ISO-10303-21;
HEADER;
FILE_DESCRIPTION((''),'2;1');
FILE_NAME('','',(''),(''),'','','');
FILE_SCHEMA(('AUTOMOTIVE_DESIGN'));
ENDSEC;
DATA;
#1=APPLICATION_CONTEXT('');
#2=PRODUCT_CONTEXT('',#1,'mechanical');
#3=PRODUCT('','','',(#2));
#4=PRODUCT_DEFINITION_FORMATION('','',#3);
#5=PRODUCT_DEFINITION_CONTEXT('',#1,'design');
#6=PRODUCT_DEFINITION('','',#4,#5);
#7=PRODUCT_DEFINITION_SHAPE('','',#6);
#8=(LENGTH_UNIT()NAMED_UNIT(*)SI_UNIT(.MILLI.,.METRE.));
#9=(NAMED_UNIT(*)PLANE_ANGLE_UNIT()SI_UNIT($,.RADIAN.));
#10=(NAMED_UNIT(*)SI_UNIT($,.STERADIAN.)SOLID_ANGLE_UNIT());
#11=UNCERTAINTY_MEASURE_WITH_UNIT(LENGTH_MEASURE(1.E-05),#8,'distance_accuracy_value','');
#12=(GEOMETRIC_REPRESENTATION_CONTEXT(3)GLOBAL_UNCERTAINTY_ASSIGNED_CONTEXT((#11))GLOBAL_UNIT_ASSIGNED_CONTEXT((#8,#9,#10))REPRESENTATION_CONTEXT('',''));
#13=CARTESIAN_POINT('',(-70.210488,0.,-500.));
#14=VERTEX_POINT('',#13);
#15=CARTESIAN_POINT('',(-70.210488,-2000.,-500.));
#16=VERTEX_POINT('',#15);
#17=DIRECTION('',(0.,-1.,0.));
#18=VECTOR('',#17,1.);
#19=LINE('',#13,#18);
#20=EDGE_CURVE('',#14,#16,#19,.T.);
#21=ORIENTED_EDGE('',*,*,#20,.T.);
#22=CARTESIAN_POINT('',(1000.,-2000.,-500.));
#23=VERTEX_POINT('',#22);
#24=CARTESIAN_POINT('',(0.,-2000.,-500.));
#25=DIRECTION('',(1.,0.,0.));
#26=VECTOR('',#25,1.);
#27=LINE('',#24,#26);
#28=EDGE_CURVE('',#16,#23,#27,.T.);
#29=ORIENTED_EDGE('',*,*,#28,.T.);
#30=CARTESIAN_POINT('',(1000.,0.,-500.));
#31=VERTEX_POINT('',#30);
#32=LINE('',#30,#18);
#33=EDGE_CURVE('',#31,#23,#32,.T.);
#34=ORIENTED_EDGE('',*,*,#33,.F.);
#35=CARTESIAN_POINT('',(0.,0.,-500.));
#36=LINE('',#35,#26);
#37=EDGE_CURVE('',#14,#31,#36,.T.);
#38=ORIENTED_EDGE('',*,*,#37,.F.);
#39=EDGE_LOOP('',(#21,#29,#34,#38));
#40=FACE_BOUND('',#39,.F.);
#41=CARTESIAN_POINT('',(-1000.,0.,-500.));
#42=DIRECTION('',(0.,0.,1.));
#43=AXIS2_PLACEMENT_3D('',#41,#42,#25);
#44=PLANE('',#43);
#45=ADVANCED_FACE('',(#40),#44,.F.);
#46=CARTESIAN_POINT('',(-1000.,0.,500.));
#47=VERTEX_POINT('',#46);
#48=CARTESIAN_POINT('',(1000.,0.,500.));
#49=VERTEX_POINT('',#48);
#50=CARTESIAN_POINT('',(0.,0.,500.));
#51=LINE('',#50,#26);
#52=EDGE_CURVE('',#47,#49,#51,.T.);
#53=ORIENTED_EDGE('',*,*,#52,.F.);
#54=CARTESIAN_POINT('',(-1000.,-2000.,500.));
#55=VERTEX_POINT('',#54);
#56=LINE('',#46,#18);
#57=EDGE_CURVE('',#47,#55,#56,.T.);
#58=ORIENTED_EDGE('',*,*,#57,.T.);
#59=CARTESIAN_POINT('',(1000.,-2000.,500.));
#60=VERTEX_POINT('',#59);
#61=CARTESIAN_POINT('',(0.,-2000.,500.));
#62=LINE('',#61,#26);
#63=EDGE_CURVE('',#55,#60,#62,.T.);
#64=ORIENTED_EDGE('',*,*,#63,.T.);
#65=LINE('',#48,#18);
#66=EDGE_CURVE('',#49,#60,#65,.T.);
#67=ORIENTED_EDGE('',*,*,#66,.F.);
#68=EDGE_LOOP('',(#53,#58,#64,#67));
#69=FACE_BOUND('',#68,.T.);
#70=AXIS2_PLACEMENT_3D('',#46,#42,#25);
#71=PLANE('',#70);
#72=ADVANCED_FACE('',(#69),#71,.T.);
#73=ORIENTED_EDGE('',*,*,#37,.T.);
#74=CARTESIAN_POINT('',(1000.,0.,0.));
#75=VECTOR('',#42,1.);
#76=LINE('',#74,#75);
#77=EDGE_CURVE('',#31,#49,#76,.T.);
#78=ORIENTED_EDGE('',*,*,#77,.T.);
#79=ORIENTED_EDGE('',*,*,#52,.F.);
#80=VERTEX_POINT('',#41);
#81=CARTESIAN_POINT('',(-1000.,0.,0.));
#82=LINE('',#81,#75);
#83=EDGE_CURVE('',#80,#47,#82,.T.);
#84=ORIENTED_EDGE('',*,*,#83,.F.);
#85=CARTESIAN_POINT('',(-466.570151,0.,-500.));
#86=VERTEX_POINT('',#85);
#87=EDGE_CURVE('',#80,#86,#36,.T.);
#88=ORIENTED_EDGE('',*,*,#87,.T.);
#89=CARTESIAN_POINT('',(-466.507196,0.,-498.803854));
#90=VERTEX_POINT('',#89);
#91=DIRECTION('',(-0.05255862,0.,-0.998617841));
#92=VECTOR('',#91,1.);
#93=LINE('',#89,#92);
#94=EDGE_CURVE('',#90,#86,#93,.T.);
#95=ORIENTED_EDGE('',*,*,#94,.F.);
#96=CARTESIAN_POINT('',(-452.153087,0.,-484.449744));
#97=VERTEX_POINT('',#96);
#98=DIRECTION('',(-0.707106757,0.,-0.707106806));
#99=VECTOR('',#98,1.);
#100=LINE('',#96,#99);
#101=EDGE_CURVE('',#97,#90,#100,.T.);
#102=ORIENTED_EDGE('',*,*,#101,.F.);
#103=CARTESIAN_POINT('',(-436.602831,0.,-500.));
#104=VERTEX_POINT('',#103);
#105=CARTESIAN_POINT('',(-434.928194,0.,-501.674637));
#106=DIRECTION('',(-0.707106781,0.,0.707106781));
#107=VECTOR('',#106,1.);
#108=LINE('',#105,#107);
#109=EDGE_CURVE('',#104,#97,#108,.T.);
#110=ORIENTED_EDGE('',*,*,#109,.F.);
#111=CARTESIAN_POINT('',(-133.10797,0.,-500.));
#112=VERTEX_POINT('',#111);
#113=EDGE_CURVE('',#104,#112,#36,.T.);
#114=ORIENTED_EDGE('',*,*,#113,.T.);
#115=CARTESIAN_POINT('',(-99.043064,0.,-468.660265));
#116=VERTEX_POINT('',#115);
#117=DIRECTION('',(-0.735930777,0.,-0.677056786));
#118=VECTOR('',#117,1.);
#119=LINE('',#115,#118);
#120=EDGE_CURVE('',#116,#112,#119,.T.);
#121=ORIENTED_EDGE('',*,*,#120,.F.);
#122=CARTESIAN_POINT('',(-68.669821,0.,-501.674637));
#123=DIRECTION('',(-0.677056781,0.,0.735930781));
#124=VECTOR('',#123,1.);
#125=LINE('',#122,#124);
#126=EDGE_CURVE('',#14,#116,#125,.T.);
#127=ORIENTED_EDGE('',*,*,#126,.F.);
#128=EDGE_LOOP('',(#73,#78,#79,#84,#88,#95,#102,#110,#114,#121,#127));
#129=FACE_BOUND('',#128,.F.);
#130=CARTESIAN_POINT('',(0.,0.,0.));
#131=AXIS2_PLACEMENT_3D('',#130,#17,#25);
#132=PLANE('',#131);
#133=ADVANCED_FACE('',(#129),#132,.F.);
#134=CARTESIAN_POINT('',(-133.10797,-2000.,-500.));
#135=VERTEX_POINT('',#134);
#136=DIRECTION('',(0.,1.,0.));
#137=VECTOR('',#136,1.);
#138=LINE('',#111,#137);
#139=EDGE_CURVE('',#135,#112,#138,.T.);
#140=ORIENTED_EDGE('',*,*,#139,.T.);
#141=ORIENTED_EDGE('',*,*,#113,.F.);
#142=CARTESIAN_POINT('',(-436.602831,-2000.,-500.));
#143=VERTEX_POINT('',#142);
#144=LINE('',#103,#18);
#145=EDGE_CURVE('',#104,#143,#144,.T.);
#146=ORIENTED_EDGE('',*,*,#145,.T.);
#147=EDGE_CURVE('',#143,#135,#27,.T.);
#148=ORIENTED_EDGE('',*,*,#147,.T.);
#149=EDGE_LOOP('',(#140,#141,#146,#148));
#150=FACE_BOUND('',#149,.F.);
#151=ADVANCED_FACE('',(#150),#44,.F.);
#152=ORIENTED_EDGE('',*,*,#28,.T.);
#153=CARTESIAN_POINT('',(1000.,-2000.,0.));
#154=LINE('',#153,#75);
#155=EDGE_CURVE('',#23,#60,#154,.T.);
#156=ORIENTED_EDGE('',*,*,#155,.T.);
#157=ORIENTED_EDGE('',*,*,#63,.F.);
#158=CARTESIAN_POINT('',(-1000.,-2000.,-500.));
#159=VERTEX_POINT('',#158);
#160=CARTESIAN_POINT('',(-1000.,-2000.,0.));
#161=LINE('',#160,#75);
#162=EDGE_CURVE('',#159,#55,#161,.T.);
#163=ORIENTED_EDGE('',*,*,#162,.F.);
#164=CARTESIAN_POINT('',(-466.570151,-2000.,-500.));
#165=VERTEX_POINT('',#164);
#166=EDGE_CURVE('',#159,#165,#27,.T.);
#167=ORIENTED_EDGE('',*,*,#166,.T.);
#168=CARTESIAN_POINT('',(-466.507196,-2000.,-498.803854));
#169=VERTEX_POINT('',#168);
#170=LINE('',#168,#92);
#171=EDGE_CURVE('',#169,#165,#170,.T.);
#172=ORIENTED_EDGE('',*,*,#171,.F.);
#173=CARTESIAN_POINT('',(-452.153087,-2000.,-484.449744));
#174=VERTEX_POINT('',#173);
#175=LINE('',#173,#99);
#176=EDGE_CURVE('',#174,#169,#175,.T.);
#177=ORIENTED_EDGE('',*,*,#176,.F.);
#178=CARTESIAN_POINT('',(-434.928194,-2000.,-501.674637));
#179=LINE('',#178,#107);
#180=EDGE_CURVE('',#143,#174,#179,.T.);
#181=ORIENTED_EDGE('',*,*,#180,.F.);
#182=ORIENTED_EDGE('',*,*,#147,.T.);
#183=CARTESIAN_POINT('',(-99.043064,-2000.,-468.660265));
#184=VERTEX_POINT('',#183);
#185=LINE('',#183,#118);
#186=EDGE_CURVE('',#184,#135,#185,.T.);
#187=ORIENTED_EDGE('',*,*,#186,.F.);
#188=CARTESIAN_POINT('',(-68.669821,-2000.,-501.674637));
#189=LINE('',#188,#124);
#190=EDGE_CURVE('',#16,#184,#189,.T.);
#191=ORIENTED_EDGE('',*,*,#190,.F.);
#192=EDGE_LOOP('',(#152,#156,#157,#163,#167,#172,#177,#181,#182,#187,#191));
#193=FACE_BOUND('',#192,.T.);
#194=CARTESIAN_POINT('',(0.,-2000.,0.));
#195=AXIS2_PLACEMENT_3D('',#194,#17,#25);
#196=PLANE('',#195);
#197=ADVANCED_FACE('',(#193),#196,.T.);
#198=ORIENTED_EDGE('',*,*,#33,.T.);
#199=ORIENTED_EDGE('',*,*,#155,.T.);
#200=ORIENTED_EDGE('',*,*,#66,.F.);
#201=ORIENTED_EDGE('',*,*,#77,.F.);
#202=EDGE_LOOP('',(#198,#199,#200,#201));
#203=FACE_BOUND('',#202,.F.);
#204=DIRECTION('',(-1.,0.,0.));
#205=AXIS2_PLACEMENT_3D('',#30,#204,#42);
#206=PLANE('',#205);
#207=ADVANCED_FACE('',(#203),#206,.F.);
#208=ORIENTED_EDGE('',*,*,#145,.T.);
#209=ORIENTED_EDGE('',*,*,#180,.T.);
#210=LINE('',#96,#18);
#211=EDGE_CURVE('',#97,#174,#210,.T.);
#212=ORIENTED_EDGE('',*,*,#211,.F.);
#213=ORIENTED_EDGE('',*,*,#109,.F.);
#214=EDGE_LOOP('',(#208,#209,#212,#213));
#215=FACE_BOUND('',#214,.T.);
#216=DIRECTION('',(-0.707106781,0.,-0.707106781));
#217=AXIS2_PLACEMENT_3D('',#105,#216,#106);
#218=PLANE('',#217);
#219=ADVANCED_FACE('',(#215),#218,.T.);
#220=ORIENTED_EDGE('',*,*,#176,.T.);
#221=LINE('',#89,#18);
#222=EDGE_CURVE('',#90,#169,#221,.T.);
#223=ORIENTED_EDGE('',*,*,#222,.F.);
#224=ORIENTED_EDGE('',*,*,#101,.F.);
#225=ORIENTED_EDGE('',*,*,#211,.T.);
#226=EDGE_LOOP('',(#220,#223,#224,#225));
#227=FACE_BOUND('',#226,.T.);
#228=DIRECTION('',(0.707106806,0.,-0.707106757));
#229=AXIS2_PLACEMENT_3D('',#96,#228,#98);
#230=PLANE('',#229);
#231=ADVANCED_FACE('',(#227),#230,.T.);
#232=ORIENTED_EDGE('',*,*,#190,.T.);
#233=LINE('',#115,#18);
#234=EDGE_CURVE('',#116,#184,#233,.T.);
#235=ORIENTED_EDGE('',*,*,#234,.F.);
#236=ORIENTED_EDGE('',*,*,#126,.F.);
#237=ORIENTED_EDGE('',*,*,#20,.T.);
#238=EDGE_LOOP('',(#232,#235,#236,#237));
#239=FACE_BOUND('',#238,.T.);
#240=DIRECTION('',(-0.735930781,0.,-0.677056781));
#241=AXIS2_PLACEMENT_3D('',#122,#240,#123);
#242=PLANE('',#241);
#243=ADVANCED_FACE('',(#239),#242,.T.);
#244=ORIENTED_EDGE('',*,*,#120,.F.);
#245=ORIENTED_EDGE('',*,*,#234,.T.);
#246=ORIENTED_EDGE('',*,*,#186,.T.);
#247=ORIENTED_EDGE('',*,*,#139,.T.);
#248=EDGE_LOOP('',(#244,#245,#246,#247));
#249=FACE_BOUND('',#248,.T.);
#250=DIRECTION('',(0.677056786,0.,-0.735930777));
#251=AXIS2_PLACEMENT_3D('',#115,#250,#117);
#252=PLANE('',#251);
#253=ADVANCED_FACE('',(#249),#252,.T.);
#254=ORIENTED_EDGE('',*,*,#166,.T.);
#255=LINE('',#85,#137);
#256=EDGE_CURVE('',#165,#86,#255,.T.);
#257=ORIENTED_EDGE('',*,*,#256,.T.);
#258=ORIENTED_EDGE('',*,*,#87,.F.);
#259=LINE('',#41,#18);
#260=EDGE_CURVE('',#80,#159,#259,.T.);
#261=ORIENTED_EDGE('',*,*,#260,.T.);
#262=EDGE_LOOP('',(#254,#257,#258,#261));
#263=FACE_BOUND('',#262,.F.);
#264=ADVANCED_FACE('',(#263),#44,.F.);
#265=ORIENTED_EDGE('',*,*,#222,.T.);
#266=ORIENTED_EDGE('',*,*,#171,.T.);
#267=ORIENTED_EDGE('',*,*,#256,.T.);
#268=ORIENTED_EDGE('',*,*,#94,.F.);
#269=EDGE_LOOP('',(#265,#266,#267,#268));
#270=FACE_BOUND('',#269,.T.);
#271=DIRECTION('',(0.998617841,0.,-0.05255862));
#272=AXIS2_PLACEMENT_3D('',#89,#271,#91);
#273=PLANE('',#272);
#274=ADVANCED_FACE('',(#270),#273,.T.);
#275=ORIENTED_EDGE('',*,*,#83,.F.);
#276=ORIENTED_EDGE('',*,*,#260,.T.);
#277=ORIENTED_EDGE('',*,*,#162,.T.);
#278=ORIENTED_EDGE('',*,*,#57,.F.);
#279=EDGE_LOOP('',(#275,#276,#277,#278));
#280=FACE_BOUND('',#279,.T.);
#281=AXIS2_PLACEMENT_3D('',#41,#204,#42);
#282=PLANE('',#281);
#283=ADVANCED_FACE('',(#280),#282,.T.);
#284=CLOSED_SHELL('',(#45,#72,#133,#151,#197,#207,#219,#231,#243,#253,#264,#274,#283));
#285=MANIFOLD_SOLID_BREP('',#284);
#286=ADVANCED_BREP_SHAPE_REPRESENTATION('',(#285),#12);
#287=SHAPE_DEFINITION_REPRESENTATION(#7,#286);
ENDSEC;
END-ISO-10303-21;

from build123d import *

# Parameters (mm, degrees)
F0_W     = 2000
F0_H     = 1000
F2_DEPTH = 2000
F3_DEPTH = 2000


with BuildPart() as f2:
    # F0 (on Front) → F2 (new body)
    with BuildSketch(Plane.XZ):
        Rectangle(F0_W, F0_H)
    extrude(amount=F2_DEPTH)

    # F1 (on face) → F3 (cut)
    with BuildSketch(Plane.XZ):
        Polygon((-452.153087, -484.449744), (-466.507196, -498.803854), (-469.377995, -553.349257), (-68.669821, -553.349257), (-68.669821, -501.674637), (-99.043064, -468.660265), (-134.928226, -501.674637), (-434.928194, -501.674637), align=None)
    extrude(amount=F3_DEPTH, mode=Mode.SUBTRACT)


solid = f2.part
